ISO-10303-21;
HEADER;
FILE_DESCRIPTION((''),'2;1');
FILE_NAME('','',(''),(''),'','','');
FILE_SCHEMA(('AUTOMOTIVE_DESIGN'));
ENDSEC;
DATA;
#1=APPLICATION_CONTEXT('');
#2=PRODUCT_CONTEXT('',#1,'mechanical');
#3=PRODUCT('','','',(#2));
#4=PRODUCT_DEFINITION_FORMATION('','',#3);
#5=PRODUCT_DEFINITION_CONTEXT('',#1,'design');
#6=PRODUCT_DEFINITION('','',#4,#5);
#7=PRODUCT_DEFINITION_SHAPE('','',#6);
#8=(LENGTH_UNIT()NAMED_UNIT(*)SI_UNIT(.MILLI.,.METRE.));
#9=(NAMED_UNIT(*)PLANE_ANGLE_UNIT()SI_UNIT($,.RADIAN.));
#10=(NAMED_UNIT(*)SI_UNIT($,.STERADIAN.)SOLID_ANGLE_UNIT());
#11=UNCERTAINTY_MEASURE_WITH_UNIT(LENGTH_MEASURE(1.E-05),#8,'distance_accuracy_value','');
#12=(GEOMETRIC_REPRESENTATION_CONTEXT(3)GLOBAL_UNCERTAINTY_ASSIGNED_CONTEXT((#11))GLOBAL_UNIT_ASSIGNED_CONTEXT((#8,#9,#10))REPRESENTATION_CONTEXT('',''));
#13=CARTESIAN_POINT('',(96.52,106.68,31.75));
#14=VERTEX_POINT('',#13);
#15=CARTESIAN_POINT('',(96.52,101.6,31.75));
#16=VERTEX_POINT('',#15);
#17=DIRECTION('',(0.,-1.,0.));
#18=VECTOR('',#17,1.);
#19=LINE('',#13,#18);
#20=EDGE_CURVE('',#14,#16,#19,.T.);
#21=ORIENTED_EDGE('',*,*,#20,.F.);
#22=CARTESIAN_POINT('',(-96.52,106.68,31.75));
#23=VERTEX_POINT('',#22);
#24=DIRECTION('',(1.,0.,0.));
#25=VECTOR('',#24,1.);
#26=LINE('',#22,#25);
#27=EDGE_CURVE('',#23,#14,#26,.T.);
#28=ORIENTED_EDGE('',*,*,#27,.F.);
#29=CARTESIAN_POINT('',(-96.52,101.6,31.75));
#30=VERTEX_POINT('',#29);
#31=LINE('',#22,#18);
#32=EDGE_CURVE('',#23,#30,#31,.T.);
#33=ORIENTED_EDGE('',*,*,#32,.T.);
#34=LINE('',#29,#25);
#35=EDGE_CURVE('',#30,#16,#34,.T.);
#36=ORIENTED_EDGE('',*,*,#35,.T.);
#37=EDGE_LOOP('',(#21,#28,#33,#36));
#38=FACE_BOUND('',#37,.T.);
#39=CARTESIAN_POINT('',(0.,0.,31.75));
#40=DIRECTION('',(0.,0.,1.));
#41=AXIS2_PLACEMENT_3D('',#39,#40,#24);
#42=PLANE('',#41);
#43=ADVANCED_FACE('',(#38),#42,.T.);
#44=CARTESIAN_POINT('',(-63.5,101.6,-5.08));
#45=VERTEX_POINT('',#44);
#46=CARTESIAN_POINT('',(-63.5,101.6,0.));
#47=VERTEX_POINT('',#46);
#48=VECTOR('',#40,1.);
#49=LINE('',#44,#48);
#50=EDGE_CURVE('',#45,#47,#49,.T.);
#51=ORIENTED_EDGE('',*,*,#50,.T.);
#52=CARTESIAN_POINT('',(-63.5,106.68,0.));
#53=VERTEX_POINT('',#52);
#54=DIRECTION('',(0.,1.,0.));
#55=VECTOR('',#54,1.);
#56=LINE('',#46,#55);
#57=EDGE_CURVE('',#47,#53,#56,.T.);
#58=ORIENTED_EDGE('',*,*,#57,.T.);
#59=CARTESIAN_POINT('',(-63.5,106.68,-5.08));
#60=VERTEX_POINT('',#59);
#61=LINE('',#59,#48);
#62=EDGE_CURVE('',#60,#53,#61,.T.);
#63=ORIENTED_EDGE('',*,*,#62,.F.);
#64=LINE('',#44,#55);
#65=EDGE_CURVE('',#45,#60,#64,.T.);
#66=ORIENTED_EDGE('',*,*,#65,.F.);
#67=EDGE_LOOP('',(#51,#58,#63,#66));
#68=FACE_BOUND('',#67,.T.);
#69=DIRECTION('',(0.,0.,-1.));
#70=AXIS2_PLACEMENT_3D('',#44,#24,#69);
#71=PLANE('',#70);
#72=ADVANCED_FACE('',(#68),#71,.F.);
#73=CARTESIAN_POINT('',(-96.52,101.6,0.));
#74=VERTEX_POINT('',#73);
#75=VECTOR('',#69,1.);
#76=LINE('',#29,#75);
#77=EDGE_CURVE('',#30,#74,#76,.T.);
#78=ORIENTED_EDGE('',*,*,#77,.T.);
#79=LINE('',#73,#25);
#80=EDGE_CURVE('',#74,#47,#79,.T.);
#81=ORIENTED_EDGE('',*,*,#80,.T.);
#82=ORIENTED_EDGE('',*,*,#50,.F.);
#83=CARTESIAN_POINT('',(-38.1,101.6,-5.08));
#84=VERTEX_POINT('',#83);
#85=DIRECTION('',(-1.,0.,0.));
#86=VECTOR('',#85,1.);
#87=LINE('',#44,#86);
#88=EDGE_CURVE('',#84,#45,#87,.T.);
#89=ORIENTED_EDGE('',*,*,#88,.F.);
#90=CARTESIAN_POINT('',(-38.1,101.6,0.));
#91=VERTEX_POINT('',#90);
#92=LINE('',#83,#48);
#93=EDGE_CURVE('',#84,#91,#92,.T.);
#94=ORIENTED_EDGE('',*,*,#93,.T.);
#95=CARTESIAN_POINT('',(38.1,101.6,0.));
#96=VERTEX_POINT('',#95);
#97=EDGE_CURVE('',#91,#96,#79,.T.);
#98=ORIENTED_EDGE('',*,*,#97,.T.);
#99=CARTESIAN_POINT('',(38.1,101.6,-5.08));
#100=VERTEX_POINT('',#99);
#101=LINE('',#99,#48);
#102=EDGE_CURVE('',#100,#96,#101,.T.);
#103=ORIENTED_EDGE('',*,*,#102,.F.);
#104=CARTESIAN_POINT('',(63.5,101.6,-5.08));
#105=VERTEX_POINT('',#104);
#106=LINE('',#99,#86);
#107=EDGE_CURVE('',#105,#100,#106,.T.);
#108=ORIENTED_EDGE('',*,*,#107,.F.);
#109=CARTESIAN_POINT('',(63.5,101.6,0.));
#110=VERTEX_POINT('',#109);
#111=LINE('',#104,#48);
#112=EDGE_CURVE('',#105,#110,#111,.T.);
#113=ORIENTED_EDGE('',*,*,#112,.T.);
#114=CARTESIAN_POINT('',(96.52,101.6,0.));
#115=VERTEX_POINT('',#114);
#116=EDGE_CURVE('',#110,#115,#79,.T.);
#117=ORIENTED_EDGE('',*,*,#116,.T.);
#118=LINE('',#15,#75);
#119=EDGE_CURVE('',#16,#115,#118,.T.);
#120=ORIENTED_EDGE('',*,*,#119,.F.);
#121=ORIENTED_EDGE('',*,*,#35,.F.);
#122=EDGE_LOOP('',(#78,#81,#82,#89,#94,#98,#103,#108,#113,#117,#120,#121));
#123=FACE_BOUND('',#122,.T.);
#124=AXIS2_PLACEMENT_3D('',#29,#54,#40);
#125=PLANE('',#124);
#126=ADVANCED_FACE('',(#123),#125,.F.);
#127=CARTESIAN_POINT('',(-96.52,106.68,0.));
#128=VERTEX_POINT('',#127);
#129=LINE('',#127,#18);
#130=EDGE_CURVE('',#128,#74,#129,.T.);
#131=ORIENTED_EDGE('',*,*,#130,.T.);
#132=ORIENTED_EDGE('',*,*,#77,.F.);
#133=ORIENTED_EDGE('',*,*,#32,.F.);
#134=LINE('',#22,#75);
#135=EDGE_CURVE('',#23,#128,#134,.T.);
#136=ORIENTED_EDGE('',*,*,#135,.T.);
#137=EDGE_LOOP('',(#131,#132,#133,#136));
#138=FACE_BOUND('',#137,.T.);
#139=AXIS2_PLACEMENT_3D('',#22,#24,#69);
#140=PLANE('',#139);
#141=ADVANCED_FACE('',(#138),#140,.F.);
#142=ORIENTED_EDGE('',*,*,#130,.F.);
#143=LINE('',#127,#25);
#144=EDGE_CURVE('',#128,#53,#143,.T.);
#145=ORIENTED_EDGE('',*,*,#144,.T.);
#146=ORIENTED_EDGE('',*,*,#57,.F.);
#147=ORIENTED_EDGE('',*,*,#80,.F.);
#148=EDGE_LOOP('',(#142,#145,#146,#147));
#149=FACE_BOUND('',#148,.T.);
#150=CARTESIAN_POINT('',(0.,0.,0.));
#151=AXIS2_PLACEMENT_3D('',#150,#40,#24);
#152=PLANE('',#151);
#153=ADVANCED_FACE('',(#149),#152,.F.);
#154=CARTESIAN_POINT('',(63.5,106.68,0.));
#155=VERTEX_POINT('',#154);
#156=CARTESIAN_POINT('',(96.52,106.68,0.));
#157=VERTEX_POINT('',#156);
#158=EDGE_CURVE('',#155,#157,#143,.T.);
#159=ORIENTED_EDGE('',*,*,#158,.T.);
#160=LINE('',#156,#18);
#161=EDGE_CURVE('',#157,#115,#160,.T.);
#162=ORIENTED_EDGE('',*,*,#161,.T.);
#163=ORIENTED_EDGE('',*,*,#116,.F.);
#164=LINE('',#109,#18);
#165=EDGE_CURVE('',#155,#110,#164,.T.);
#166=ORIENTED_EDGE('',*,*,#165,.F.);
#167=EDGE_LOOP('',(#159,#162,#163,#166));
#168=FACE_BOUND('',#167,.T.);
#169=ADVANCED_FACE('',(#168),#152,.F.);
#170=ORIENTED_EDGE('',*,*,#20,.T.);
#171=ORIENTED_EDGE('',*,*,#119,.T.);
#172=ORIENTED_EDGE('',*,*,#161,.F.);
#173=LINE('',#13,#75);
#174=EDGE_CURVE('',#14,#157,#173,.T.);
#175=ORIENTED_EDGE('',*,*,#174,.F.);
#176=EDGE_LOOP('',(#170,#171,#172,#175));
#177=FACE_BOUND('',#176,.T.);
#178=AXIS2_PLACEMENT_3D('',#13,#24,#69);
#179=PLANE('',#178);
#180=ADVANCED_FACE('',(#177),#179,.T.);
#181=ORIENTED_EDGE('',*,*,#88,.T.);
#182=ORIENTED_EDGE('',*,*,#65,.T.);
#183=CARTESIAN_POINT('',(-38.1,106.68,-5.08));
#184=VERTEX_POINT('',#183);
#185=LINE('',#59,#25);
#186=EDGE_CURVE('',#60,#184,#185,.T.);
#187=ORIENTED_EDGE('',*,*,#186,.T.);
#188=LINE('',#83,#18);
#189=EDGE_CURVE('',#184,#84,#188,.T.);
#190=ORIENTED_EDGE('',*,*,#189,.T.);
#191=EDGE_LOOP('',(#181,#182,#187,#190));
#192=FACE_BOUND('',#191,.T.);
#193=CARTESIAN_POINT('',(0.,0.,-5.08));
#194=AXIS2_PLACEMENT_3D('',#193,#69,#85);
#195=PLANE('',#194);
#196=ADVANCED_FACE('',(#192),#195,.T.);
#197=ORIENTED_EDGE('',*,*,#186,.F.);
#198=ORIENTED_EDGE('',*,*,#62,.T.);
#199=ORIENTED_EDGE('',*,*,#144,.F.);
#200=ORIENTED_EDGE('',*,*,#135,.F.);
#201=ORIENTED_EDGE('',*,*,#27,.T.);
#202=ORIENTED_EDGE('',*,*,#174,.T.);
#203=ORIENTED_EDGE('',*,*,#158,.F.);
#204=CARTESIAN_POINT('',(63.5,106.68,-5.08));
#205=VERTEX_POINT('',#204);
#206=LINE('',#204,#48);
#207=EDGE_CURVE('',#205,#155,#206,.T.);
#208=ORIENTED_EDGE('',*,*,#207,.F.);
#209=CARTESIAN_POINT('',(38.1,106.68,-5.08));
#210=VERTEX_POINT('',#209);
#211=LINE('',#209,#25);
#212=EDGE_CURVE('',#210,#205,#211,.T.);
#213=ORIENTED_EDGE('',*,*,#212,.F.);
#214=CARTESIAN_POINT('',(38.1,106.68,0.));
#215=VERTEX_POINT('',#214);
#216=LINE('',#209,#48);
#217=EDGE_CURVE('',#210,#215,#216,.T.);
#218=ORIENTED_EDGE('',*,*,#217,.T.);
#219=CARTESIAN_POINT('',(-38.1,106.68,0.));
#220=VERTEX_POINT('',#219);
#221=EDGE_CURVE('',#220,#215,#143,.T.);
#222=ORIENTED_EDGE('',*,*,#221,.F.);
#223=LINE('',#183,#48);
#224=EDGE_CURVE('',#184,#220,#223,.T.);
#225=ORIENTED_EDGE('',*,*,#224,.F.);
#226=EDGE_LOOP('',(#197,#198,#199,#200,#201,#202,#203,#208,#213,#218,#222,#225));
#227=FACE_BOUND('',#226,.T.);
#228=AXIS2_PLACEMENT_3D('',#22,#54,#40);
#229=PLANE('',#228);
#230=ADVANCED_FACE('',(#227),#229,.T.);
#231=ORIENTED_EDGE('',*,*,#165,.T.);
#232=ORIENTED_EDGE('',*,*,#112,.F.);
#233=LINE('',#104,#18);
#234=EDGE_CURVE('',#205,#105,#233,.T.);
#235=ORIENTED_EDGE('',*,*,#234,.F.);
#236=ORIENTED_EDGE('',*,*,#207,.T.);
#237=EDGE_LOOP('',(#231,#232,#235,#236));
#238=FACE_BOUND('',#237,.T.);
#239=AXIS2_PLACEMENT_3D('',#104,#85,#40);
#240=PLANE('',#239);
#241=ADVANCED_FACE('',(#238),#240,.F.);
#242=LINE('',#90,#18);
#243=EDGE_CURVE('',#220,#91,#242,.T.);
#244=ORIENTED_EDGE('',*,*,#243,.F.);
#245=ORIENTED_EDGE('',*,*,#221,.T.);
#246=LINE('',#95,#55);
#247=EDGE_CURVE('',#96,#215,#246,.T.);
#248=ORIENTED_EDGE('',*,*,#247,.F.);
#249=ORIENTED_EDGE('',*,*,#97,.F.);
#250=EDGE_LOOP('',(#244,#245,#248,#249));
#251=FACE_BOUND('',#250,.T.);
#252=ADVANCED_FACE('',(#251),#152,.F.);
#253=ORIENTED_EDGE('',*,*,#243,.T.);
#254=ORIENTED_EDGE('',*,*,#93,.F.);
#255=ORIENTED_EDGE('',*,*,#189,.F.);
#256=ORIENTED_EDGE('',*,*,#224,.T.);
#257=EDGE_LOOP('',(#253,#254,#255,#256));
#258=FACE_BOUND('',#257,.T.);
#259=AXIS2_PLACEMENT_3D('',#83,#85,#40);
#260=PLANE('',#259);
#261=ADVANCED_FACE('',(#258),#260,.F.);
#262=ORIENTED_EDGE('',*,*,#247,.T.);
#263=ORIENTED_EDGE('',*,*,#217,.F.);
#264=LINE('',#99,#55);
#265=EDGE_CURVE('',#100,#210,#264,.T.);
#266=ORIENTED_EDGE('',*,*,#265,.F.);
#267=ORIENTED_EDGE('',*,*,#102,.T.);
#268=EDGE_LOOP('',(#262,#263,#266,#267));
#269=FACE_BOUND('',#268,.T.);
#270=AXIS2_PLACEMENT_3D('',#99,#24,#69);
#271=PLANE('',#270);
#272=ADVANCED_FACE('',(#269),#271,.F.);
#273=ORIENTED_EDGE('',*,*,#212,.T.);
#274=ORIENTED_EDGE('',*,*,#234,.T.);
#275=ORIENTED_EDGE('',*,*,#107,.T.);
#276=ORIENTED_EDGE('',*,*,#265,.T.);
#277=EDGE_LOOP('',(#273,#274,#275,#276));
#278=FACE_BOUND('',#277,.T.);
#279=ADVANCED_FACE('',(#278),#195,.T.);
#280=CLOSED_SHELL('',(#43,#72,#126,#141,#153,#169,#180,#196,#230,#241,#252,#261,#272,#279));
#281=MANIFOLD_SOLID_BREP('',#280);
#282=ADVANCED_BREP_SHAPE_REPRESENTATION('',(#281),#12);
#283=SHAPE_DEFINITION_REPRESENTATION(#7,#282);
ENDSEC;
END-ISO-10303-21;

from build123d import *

# Parameters (mm, degrees)
SKETCH1_W           = 193.04
SKETCH1_H           = 5.08
BOSS_EXTRUDE1_DEPTH = 31.75
SKETCH4_W           = 25.4
SKETCH4_H           = 5.08
BOSS_EXTRUDE2_DEPTH = 5.08


with BuildPart() as part:
    # Sketch1 → Boss-Extrude1 (new body)
    with BuildSketch(Plane.XY):
        with Locations((0, 104.14)):
            Rectangle(SKETCH1_W, SKETCH1_H)
    extrude(amount=BOSS_EXTRUDE1_DEPTH)

    # Sketch4 → Boss-Extrude2 (add)
    with BuildSketch(Plane(origin=(0, 0, 0), x_dir=(-1, 0, 0), z_dir=(0, 0, -1))):
        with Locations((50.8, 104.14)):
            Rectangle(SKETCH4_W, SKETCH4_H)
        with Locations((-50.8, 104.14)):
            Rectangle(SKETCH4_W, SKETCH4_H)
    extrude(amount=BOSS_EXTRUDE2_DEPTH)


solid = part.part
